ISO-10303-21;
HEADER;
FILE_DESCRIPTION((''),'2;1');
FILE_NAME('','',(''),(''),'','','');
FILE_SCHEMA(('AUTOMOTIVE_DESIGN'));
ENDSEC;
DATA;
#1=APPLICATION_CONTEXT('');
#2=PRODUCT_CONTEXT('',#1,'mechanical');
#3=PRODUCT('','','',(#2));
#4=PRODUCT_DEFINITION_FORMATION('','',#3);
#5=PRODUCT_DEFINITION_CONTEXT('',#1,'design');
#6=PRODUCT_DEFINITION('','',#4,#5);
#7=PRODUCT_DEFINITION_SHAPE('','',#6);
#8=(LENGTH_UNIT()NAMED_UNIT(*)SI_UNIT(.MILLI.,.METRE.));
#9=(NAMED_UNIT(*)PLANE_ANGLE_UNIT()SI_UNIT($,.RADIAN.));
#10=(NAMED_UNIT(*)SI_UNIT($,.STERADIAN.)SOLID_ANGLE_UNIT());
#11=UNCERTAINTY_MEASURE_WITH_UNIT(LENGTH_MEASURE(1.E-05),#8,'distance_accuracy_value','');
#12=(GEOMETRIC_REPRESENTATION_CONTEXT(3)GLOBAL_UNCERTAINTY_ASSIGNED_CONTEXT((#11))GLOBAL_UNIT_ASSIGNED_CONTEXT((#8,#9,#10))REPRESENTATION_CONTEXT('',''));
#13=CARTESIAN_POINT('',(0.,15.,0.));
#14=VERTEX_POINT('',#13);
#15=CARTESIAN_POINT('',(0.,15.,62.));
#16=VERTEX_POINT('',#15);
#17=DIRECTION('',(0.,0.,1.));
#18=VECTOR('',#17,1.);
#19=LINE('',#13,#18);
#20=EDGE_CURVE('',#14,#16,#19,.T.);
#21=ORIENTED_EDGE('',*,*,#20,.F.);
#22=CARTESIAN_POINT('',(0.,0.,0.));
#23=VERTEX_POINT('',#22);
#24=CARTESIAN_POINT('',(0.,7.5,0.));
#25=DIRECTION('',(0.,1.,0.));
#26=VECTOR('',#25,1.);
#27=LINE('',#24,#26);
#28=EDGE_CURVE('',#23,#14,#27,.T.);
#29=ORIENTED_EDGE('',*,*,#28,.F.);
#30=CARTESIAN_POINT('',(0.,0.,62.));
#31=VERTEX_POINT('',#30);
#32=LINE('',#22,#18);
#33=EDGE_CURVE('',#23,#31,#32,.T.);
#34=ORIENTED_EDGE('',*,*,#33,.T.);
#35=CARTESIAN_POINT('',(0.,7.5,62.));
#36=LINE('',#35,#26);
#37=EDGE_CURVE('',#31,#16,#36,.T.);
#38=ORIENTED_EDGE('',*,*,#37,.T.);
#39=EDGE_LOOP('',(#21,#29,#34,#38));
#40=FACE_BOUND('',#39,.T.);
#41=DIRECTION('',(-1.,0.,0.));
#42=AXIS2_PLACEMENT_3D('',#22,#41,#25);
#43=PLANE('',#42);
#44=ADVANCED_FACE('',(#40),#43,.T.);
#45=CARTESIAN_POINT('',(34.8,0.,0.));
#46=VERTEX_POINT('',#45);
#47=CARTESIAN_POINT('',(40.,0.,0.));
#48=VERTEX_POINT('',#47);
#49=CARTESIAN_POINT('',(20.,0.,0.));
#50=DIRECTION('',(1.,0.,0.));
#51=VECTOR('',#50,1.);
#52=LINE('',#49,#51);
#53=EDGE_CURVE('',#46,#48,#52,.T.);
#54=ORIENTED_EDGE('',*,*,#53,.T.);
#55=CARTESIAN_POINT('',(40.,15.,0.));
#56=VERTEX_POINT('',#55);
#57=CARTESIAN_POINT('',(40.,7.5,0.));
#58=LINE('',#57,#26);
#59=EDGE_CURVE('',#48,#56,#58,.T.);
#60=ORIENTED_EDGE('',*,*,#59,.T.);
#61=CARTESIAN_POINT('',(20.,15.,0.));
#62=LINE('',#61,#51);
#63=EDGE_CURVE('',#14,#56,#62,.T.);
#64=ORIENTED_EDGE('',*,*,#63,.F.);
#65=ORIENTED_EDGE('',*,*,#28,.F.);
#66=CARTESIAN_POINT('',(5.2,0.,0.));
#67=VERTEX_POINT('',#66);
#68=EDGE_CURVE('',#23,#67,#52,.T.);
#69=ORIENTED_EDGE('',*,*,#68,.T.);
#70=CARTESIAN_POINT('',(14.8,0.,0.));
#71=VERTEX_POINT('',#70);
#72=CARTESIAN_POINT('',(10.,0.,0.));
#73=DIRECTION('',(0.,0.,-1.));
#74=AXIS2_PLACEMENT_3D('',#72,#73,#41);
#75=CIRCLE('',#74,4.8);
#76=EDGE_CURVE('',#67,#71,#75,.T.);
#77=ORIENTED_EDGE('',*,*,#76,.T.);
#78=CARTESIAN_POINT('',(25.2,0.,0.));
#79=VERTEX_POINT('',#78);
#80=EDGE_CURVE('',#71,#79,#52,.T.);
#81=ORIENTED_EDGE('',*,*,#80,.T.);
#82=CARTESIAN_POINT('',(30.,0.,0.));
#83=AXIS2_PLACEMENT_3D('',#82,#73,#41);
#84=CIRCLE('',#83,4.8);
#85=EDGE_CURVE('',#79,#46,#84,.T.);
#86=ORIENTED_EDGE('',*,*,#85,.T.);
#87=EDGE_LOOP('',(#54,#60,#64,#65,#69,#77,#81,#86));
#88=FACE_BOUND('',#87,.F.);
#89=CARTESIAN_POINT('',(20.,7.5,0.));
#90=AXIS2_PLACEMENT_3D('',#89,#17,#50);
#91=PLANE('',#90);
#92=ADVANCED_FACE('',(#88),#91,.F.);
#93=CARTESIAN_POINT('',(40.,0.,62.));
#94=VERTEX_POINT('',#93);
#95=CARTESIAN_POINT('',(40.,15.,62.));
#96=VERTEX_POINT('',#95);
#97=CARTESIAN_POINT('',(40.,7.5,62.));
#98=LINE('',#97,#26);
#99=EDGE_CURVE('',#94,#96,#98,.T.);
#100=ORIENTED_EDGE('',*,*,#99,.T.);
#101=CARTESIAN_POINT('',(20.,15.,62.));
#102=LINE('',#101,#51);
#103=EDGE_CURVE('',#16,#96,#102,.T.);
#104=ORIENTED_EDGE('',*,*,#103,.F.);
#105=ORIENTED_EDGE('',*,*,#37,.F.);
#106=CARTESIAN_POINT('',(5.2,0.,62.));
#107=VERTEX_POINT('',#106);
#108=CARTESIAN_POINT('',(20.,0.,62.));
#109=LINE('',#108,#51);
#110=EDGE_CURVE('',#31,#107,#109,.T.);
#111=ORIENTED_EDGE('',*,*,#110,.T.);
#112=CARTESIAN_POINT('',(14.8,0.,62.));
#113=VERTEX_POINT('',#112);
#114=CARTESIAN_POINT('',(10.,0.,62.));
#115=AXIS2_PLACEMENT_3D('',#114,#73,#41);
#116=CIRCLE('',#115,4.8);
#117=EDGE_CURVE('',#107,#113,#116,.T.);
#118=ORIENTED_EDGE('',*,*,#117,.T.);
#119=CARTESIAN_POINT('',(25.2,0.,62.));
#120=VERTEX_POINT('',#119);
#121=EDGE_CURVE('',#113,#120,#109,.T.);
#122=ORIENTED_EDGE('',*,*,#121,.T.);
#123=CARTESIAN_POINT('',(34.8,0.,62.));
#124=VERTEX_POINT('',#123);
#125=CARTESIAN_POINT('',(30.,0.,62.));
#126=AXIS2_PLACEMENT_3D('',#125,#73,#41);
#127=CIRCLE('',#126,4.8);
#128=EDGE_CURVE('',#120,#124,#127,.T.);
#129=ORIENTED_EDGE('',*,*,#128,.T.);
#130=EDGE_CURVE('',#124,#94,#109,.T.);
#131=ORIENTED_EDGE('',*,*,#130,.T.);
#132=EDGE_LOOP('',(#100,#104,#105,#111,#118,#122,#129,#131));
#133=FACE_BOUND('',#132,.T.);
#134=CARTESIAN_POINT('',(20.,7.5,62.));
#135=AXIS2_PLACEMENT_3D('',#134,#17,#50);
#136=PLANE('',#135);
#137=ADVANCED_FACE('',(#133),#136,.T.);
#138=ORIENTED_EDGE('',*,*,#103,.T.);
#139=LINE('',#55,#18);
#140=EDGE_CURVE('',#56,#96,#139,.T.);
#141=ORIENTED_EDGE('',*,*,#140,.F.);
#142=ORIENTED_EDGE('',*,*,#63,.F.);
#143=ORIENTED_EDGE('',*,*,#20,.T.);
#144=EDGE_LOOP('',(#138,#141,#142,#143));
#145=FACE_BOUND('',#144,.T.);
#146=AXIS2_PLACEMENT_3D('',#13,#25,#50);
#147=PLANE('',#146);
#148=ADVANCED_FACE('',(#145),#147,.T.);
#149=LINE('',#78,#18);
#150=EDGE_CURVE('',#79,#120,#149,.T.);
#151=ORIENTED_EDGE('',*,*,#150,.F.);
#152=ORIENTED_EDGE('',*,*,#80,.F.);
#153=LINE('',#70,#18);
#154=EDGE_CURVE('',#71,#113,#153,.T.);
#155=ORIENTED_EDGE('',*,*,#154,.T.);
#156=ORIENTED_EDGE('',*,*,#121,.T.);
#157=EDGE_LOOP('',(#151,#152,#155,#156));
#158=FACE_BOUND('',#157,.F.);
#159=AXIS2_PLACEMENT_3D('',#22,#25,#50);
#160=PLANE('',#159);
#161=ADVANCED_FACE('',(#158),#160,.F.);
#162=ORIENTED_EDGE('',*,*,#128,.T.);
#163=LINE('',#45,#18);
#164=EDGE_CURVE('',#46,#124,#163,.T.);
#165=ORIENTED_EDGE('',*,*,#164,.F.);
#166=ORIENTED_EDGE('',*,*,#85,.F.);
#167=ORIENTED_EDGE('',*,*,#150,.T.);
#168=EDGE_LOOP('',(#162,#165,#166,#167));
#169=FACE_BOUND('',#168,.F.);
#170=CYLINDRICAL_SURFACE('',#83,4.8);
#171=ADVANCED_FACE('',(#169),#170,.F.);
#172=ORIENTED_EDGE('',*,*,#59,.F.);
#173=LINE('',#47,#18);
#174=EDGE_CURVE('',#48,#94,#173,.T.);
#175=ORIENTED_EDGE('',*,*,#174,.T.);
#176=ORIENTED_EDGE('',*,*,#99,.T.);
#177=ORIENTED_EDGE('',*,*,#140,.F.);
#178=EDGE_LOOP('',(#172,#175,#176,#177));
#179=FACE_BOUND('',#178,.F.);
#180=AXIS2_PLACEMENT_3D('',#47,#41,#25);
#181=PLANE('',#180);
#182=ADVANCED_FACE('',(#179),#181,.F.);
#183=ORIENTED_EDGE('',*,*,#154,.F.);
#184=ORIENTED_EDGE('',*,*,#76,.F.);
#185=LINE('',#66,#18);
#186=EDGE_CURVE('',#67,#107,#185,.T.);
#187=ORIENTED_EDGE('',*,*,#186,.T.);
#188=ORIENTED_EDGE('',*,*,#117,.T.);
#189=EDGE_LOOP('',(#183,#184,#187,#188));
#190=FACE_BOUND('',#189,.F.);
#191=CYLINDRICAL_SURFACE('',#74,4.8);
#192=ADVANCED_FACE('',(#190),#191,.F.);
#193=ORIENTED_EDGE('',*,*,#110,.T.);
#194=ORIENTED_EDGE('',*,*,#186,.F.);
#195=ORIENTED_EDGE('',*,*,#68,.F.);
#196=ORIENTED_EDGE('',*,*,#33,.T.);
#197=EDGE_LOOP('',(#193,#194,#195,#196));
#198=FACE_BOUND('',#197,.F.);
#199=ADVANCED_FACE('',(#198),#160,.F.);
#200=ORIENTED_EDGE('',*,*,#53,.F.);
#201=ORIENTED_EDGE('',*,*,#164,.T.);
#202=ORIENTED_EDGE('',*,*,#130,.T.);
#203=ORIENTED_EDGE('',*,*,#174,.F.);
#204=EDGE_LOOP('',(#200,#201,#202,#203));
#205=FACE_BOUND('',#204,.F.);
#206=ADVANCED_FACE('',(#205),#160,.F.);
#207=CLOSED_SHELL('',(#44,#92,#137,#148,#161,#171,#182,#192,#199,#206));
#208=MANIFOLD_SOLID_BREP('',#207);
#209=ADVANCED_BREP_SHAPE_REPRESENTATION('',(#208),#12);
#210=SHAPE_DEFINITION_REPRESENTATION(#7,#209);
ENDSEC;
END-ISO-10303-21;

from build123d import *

# Parameters (mm, degrees)
F0_W     = 40
F0_H     = 15
F1_DEPTH = 62
F3_DEPTH = 62.001


with BuildPart() as f1:
    # F0 (on Top) → F1 (new body)
    with BuildSketch(Plane.XY):
        with Locations((20, 7.5)):
            Rectangle(F0_W, F0_H)
    extrude(amount=F1_DEPTH)

    # F2 (on face) → F3 (cut, through all)
    with BuildSketch(Plane(origin=(0, 0, 0), x_dir=(1, 0, 0), z_dir=(0, 0, -1))):
        with BuildLine():
            Line((14.8, 0), (5.2, 0))
            ThreePointArc((5.2, 0), (10, -4.8), (14.8, 0))
        make_face()
        with BuildLine():
            Line((34.8, 0), (25.2, 0))
            ThreePointArc((25.2, 0), (30, -4.8), (34.8, 0))
        make_face()
    extrude(amount=-F3_DEPTH, mode=Mode.SUBTRACT)


solid = f1.part
